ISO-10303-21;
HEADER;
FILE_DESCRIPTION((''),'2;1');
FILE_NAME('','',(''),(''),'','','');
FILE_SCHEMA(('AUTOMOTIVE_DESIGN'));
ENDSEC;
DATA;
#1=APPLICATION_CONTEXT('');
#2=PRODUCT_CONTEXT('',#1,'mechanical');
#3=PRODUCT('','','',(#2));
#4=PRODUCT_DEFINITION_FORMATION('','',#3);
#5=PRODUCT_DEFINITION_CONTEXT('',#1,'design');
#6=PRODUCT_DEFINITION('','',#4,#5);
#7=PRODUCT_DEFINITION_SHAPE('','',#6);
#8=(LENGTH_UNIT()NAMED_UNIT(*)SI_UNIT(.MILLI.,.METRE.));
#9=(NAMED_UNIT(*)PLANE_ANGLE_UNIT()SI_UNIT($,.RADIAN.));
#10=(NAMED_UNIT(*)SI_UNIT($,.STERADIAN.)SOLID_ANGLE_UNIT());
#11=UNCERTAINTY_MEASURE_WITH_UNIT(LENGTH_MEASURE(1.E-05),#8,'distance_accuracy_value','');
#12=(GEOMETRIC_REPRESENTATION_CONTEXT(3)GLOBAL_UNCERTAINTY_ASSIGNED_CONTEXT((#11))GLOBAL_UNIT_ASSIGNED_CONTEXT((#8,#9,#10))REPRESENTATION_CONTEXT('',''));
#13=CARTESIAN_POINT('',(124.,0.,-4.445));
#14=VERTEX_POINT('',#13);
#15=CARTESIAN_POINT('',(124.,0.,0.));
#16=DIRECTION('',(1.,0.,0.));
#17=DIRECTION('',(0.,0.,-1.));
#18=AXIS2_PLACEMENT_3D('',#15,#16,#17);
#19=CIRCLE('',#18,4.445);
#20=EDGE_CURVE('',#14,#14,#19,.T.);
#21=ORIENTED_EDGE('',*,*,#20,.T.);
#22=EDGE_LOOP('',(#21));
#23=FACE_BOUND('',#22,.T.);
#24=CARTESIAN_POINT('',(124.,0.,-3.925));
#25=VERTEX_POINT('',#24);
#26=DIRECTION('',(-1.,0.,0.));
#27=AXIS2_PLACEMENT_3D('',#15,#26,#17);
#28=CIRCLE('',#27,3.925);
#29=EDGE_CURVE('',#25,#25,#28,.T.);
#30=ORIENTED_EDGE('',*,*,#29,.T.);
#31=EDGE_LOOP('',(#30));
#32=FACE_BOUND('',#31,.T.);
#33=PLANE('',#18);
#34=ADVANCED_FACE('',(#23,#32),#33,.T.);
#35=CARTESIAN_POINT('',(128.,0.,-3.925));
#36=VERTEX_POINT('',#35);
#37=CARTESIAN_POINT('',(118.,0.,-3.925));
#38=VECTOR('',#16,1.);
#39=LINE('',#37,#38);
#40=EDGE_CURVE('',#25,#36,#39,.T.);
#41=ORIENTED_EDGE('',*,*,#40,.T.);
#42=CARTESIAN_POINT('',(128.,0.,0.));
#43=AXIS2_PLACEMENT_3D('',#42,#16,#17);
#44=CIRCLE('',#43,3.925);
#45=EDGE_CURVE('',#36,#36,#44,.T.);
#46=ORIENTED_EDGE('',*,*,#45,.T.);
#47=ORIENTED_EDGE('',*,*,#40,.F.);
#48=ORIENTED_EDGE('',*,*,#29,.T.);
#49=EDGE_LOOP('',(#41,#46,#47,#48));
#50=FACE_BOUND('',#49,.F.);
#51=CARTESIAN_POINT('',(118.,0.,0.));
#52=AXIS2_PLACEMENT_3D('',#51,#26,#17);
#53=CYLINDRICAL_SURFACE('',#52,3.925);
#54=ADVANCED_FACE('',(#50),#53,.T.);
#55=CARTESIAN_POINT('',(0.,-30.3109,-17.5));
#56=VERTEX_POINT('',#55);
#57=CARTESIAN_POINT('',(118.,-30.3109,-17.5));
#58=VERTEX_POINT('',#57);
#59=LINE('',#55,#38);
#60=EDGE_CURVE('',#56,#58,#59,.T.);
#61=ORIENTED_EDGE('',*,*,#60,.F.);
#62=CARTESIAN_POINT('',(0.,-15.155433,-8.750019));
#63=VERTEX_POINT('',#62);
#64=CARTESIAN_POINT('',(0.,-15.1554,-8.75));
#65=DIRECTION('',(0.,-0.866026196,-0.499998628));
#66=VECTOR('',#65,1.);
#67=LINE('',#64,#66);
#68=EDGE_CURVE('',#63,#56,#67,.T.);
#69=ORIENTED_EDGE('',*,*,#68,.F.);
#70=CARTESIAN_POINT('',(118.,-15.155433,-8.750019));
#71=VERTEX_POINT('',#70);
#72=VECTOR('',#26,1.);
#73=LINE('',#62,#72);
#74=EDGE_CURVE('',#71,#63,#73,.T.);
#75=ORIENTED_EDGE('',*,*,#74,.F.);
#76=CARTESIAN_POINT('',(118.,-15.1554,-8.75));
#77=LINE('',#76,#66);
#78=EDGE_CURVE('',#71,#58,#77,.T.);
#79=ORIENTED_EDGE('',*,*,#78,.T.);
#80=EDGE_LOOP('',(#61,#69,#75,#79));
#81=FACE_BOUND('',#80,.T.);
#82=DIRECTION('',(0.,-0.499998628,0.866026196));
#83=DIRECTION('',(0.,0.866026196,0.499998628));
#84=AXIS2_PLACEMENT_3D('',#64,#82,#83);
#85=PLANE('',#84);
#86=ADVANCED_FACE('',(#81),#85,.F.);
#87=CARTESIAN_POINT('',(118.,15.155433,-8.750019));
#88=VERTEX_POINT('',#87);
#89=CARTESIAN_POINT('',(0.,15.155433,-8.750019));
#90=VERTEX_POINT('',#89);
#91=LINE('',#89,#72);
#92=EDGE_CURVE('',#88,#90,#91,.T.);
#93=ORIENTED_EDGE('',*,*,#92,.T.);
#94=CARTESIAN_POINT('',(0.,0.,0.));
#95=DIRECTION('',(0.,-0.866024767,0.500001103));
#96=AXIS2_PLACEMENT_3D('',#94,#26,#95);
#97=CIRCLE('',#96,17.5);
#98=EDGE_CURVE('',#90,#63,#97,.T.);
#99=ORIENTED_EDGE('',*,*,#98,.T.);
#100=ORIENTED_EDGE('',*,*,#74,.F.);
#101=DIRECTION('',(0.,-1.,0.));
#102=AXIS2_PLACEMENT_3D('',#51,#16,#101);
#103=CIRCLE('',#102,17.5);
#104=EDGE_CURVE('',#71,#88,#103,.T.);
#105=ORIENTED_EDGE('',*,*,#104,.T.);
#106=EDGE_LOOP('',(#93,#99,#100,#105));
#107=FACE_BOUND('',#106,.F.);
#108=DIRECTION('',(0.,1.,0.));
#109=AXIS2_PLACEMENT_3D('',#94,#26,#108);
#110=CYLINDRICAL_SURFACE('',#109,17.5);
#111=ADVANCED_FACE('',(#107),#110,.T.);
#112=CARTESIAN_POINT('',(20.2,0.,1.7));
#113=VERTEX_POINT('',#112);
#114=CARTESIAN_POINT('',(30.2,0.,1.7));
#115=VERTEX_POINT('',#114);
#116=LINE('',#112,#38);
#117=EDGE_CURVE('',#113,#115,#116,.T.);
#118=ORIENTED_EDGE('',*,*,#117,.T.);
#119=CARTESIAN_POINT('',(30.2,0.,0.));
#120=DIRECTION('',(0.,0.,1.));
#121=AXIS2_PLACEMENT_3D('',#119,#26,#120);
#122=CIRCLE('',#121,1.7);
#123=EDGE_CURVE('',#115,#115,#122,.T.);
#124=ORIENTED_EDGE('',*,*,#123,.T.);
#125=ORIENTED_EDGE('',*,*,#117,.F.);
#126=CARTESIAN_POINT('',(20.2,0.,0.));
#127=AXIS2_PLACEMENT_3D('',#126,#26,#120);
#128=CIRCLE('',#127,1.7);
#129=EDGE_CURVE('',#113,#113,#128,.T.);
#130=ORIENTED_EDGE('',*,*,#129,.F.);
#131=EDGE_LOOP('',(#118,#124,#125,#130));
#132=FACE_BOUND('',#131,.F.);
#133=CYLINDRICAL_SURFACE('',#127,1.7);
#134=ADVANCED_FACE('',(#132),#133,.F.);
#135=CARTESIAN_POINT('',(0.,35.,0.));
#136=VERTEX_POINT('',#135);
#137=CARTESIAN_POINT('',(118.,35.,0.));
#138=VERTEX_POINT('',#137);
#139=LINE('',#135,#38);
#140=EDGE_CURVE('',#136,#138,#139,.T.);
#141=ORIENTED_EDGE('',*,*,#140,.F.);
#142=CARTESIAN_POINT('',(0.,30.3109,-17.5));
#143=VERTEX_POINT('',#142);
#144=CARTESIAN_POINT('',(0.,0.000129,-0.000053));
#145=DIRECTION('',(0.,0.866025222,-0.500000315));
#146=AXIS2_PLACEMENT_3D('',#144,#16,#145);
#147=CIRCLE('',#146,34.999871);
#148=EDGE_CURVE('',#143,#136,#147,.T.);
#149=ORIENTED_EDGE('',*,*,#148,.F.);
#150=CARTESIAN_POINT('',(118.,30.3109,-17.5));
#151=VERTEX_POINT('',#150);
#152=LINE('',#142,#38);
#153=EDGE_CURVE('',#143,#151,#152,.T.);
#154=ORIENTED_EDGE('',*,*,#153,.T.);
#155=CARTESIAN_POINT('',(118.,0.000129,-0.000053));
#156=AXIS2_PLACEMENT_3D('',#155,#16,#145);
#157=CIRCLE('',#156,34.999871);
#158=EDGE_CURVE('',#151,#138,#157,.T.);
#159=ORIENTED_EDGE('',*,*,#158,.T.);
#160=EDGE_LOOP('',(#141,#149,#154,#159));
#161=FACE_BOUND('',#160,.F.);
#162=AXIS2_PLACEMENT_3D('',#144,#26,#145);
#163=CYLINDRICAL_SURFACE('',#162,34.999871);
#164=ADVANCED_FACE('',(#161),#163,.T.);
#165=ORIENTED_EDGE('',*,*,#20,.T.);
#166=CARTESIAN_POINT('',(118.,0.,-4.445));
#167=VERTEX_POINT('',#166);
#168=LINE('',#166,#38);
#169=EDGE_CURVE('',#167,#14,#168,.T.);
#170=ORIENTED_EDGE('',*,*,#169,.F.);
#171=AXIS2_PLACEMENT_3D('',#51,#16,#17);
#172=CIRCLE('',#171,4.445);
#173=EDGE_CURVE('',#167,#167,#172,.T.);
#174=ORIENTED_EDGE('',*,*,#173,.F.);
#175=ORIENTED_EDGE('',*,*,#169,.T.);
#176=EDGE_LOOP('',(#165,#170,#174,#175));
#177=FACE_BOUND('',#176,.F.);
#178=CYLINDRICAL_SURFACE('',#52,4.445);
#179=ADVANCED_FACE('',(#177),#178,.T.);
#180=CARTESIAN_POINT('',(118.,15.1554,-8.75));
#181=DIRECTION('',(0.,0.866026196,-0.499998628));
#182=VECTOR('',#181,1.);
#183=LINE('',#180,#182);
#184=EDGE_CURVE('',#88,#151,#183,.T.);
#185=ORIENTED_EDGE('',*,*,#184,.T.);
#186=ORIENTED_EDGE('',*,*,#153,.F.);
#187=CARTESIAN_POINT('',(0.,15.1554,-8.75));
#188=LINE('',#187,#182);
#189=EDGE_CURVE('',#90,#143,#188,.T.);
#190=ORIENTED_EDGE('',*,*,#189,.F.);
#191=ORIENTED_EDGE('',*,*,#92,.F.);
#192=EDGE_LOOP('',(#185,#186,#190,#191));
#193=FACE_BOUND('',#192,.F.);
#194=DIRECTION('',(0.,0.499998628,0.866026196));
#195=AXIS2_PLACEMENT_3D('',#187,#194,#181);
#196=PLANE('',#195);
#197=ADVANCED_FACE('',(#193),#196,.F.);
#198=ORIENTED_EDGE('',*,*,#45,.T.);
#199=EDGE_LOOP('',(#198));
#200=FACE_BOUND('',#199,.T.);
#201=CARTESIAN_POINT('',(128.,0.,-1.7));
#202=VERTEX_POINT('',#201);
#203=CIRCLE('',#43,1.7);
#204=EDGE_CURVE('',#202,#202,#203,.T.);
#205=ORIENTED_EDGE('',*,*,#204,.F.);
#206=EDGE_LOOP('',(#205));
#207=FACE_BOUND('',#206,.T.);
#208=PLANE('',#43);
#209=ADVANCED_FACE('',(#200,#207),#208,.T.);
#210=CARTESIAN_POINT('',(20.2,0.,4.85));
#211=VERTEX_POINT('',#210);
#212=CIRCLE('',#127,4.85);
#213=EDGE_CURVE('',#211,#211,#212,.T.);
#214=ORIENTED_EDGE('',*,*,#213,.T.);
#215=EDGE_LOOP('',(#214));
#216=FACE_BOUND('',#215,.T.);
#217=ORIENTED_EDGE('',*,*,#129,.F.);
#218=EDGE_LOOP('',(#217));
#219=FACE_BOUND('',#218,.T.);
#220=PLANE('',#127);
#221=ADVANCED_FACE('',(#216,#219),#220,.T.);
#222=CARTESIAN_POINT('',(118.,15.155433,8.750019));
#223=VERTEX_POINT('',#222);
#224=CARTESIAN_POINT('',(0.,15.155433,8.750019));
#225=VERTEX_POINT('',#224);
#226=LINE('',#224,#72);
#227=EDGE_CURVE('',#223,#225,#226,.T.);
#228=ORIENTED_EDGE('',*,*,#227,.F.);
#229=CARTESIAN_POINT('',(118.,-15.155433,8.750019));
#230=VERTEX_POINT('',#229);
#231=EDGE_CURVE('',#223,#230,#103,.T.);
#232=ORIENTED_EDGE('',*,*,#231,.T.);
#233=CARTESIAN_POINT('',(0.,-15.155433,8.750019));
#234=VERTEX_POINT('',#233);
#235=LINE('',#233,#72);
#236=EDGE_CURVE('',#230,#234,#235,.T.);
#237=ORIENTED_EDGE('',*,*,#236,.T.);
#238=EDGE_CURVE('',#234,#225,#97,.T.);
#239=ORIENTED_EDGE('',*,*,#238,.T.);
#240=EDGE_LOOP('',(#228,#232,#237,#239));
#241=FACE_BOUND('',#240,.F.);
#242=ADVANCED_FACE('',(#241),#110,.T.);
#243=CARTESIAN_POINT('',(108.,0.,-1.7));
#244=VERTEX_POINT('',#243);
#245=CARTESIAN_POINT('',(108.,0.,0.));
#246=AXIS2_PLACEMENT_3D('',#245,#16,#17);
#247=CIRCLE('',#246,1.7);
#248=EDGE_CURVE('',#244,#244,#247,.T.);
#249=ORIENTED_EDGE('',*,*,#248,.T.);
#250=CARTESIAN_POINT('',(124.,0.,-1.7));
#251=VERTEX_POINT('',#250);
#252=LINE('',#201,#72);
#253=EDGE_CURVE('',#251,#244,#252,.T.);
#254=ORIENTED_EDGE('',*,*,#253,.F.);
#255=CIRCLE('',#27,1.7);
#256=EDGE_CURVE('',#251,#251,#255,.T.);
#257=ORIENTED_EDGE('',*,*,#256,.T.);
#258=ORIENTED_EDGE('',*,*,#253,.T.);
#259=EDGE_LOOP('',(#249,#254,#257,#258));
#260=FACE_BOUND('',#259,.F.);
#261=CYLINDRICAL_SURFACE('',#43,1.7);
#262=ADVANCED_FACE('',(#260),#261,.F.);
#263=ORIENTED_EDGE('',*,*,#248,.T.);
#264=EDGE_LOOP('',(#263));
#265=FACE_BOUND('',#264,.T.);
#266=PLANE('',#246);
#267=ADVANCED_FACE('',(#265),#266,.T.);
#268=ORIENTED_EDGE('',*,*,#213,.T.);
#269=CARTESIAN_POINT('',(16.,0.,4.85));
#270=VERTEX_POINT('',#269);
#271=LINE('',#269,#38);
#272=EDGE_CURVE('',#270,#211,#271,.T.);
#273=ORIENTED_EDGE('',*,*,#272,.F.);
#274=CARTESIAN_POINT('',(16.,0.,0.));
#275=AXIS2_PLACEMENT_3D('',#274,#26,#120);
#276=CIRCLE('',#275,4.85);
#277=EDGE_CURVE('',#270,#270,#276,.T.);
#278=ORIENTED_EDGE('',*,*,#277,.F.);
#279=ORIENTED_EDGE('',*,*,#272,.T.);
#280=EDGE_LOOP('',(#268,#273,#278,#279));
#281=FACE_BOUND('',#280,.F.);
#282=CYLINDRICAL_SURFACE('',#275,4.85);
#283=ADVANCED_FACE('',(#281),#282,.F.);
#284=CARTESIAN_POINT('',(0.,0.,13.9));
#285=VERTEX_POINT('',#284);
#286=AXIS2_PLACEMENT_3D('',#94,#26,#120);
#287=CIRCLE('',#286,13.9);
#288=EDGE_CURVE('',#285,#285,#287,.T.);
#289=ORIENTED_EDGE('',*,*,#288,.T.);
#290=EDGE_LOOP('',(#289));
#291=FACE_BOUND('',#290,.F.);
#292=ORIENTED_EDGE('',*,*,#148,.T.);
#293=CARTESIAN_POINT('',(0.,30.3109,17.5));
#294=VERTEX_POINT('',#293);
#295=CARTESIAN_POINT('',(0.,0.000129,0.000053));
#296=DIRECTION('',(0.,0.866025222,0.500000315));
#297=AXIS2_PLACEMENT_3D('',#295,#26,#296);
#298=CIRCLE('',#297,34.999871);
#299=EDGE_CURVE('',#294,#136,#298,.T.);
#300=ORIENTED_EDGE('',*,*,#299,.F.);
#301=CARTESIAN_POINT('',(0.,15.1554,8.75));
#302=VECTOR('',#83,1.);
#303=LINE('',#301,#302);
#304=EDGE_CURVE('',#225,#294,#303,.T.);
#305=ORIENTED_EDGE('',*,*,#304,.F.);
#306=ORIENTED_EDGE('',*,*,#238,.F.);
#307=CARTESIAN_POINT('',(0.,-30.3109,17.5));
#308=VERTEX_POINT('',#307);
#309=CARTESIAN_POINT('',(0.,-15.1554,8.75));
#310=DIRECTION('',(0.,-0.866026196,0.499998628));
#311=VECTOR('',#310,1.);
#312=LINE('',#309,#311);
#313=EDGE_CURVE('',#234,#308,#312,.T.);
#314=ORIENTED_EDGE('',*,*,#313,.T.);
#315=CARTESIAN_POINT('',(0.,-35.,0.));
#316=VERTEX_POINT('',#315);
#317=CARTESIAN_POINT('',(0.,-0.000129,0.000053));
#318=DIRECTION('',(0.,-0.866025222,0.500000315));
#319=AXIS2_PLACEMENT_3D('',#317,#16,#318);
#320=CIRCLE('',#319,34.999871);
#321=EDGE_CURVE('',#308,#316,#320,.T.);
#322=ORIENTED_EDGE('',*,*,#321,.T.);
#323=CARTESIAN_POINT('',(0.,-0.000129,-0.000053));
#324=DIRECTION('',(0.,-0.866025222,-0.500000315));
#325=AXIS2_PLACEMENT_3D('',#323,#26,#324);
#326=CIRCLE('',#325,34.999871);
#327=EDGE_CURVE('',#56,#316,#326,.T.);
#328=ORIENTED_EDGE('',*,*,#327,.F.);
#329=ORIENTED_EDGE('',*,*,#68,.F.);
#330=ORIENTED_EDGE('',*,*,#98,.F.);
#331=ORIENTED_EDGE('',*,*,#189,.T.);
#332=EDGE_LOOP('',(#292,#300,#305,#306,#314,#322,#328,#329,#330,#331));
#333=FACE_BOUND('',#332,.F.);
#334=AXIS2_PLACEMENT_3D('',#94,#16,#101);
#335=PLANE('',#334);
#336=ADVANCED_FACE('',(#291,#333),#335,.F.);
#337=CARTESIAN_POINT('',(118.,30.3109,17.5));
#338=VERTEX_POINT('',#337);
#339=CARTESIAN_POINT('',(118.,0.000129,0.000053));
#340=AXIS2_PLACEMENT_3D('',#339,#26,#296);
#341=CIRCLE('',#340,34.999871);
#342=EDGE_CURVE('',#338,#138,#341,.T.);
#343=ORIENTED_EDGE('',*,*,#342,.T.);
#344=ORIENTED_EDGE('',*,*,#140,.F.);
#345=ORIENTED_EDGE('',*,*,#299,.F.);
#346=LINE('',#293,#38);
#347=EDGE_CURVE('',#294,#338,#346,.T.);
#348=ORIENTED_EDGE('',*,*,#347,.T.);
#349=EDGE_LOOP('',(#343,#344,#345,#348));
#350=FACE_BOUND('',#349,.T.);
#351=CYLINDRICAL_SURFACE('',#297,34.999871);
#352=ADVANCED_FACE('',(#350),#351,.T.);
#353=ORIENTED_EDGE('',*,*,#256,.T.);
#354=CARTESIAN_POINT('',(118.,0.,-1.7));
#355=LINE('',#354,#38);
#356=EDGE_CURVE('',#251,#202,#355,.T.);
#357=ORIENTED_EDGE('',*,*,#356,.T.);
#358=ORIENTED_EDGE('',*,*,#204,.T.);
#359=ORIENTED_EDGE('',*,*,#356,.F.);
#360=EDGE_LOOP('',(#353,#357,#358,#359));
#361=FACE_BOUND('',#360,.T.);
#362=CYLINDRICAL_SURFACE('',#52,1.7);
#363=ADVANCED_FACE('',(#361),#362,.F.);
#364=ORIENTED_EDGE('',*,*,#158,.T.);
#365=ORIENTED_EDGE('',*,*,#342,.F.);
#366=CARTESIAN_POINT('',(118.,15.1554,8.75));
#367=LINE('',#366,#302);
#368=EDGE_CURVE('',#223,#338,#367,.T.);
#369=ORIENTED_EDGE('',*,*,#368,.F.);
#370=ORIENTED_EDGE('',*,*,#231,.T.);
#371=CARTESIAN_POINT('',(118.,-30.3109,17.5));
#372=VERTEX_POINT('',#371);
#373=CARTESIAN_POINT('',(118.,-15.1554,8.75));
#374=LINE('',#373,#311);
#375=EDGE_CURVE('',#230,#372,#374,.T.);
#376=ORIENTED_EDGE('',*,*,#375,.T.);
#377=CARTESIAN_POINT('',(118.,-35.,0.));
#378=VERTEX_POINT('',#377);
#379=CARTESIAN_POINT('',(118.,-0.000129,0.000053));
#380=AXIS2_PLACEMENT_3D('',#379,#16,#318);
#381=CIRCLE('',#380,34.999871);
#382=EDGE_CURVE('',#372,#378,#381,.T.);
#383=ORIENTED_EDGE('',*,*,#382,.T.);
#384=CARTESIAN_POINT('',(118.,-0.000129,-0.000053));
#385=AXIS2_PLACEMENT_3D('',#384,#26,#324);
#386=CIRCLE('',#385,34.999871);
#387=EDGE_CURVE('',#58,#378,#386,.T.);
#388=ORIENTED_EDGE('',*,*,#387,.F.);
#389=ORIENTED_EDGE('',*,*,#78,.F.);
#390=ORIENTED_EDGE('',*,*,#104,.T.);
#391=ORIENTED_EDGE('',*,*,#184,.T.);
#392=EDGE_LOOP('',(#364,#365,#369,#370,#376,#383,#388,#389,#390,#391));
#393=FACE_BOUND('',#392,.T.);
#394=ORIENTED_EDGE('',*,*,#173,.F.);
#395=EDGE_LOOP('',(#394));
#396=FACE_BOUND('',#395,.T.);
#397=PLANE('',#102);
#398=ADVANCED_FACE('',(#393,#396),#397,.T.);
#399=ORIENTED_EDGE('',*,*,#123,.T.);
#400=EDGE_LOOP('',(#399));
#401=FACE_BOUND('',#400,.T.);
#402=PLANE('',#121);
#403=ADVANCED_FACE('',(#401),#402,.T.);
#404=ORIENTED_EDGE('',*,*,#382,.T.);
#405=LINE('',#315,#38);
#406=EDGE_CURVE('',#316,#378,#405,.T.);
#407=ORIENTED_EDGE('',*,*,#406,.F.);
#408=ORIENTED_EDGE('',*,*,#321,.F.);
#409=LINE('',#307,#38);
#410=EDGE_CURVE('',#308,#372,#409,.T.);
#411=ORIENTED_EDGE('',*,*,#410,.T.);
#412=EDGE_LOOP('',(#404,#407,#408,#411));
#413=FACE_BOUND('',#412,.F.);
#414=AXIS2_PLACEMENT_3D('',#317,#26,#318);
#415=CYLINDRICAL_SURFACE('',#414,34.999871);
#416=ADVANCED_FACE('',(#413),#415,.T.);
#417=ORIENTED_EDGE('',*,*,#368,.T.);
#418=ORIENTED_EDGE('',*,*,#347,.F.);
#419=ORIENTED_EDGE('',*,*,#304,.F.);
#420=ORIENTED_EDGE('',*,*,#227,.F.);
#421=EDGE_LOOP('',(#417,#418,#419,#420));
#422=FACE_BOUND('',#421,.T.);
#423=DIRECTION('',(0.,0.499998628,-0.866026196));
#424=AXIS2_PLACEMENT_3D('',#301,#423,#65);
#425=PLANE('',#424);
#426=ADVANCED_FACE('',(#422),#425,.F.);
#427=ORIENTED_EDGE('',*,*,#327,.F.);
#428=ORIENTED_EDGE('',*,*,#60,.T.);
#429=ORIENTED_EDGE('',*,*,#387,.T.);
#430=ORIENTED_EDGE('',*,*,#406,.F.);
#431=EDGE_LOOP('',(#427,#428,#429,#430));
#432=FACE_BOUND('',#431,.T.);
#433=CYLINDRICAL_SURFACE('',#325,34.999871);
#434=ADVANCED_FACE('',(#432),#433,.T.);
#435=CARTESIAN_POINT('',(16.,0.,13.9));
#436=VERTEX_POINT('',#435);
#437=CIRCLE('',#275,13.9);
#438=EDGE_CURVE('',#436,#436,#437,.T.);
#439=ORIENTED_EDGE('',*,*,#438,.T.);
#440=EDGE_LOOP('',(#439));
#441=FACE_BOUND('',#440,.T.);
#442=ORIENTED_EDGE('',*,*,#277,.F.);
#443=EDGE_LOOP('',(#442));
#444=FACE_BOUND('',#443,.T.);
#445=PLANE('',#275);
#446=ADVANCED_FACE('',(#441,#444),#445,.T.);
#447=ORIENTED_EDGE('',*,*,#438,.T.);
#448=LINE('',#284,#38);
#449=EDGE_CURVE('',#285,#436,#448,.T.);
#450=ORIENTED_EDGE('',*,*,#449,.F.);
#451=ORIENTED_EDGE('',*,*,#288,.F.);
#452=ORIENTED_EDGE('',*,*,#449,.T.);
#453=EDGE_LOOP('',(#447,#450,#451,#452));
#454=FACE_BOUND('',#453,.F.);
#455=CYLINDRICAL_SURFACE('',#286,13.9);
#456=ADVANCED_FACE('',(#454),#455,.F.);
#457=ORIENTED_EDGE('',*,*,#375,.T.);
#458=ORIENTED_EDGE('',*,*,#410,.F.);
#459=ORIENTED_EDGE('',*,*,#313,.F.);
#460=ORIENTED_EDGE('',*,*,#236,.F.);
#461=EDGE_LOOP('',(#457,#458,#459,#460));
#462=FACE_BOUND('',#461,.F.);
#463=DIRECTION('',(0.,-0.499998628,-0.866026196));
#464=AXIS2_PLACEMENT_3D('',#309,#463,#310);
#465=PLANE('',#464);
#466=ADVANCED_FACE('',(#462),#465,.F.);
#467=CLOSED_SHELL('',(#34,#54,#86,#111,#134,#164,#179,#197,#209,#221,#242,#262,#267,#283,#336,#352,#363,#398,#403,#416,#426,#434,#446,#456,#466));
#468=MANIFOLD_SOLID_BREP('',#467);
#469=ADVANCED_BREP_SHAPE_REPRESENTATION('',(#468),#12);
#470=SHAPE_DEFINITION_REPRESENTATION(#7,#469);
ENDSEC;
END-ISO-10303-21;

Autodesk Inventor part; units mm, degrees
ref_plane "YZ Plane" through (0, 0, 0) normal (1, 0, 0) x (0, 1, 0)
ref_plane "XZ Plane" through (0, 0, 0) normal (0, 1, 0) x (-1, 0, 0)
ref_plane "XY Plane" through (0, 0, 0) normal (0, 0, 1) x (1, 0, 0)
sketch "Sketch1" plane through (0, 0, 0) normal (1, 0, 0) x (0, 1, 0)
  circle A0 centre (0, 0) radius 17.5
  dimension "d1" = 35
extrude "Extrusion1" add sketch "Sketch1" along normal blind 118
sketch "Sketch2" plane through (0, 0, 0) normal (-1, 0, 0) x (0, 0, 1)
  circle A0 centre (0, 0) radius 13.9
  dimension "d4" = 27.8
extrude "Extrusion2" cut sketch "Sketch2" against normal blind 16
sketch "Sketch3" plane through (16, 0, 0) normal (-1, 0, 0) x (0, 0, 1)
  circle A0 centre (0, 0) radius 4.85
  dimension "d7" = 9.7
extrude "Extrusion3" cut sketch "Sketch3" against normal blind 4.2
sketch "Sketch4" plane through (20.2, 0, 0) normal (-1, 0, 0) x (0, 0, 1)
  circle A0 centre (0, 0) radius 1.7
  dimension "d10" = 3.4
extrude "Extrusion4" cut sketch "Sketch4" against normal blind 10
sketch "Sketch9" plane through (0, 0, 0) normal (1, 0, 0) x (0, 1, 0)
  circle A0 centre (0, 0) radius 1.7 construction
  circle A1 centre (0, 0) radius 35 construction
  line L0 (-35, 0) -> (-17.5, 0)
  circle A2 centre (0, 0) radius 17.5 construction
  line L1 (-15.1554, 8.75) -> (-30.3109, 17.5)
  arc A3 (-30.3109, 17.5) -> (-35, 0) centre (0, 0) ccw
  arc A4 (-15.1554, 8.75) -> (-17.5, 0) centre (0, 0) ccw
  dimension "d32" = 70
  dimension "d33" = 30
extrude "Extrusion8" add sketch "Sketch9" along normal up to surface (118 mm away)
sketch "Sketch10" plane through (118, 0, 0) normal (1, 0, 0) x (0, 0, -1)
  circle A0 centre (0, 0) radius 1.7 projected
  circle A1 centre (0, 0) radius 3.925
  dimension "d36" = 7.85
extrude "Extrusion9" add sketch "Sketch10" along normal blind 10
sketch "Sketch12" plane through (118, 0, 0) normal (1, 0, 0) x (0, 0, -1)
  circle A0 centre (0, 0) radius 4.445
  dimension "d42" = 8.89
extrude "Extrusion11" add sketch "Sketch12" along normal blind 6
sketch "Sketch11" plane through (118, 0, 0) normal (1, 0, 0) x (0, 0, -1)
  circle A0 centre (0, 0) radius 4.85 projected
  circle A1 centre (0, 0) radius 1.7
extrude "Extrusion10" cut sketch "Sketch11" against normal blind 20 from surface at 10 contours A1
mirror "Mirror1" about plane through (0, 0, 0) normal (0, 0, 1) of "Extrusion8"
mirror "Mirror2" about plane through (0, 0, 0) normal (0, 1, 0) of "Extrusion8", "Mirror1"
properties part number "newDrum_3DPrint"
